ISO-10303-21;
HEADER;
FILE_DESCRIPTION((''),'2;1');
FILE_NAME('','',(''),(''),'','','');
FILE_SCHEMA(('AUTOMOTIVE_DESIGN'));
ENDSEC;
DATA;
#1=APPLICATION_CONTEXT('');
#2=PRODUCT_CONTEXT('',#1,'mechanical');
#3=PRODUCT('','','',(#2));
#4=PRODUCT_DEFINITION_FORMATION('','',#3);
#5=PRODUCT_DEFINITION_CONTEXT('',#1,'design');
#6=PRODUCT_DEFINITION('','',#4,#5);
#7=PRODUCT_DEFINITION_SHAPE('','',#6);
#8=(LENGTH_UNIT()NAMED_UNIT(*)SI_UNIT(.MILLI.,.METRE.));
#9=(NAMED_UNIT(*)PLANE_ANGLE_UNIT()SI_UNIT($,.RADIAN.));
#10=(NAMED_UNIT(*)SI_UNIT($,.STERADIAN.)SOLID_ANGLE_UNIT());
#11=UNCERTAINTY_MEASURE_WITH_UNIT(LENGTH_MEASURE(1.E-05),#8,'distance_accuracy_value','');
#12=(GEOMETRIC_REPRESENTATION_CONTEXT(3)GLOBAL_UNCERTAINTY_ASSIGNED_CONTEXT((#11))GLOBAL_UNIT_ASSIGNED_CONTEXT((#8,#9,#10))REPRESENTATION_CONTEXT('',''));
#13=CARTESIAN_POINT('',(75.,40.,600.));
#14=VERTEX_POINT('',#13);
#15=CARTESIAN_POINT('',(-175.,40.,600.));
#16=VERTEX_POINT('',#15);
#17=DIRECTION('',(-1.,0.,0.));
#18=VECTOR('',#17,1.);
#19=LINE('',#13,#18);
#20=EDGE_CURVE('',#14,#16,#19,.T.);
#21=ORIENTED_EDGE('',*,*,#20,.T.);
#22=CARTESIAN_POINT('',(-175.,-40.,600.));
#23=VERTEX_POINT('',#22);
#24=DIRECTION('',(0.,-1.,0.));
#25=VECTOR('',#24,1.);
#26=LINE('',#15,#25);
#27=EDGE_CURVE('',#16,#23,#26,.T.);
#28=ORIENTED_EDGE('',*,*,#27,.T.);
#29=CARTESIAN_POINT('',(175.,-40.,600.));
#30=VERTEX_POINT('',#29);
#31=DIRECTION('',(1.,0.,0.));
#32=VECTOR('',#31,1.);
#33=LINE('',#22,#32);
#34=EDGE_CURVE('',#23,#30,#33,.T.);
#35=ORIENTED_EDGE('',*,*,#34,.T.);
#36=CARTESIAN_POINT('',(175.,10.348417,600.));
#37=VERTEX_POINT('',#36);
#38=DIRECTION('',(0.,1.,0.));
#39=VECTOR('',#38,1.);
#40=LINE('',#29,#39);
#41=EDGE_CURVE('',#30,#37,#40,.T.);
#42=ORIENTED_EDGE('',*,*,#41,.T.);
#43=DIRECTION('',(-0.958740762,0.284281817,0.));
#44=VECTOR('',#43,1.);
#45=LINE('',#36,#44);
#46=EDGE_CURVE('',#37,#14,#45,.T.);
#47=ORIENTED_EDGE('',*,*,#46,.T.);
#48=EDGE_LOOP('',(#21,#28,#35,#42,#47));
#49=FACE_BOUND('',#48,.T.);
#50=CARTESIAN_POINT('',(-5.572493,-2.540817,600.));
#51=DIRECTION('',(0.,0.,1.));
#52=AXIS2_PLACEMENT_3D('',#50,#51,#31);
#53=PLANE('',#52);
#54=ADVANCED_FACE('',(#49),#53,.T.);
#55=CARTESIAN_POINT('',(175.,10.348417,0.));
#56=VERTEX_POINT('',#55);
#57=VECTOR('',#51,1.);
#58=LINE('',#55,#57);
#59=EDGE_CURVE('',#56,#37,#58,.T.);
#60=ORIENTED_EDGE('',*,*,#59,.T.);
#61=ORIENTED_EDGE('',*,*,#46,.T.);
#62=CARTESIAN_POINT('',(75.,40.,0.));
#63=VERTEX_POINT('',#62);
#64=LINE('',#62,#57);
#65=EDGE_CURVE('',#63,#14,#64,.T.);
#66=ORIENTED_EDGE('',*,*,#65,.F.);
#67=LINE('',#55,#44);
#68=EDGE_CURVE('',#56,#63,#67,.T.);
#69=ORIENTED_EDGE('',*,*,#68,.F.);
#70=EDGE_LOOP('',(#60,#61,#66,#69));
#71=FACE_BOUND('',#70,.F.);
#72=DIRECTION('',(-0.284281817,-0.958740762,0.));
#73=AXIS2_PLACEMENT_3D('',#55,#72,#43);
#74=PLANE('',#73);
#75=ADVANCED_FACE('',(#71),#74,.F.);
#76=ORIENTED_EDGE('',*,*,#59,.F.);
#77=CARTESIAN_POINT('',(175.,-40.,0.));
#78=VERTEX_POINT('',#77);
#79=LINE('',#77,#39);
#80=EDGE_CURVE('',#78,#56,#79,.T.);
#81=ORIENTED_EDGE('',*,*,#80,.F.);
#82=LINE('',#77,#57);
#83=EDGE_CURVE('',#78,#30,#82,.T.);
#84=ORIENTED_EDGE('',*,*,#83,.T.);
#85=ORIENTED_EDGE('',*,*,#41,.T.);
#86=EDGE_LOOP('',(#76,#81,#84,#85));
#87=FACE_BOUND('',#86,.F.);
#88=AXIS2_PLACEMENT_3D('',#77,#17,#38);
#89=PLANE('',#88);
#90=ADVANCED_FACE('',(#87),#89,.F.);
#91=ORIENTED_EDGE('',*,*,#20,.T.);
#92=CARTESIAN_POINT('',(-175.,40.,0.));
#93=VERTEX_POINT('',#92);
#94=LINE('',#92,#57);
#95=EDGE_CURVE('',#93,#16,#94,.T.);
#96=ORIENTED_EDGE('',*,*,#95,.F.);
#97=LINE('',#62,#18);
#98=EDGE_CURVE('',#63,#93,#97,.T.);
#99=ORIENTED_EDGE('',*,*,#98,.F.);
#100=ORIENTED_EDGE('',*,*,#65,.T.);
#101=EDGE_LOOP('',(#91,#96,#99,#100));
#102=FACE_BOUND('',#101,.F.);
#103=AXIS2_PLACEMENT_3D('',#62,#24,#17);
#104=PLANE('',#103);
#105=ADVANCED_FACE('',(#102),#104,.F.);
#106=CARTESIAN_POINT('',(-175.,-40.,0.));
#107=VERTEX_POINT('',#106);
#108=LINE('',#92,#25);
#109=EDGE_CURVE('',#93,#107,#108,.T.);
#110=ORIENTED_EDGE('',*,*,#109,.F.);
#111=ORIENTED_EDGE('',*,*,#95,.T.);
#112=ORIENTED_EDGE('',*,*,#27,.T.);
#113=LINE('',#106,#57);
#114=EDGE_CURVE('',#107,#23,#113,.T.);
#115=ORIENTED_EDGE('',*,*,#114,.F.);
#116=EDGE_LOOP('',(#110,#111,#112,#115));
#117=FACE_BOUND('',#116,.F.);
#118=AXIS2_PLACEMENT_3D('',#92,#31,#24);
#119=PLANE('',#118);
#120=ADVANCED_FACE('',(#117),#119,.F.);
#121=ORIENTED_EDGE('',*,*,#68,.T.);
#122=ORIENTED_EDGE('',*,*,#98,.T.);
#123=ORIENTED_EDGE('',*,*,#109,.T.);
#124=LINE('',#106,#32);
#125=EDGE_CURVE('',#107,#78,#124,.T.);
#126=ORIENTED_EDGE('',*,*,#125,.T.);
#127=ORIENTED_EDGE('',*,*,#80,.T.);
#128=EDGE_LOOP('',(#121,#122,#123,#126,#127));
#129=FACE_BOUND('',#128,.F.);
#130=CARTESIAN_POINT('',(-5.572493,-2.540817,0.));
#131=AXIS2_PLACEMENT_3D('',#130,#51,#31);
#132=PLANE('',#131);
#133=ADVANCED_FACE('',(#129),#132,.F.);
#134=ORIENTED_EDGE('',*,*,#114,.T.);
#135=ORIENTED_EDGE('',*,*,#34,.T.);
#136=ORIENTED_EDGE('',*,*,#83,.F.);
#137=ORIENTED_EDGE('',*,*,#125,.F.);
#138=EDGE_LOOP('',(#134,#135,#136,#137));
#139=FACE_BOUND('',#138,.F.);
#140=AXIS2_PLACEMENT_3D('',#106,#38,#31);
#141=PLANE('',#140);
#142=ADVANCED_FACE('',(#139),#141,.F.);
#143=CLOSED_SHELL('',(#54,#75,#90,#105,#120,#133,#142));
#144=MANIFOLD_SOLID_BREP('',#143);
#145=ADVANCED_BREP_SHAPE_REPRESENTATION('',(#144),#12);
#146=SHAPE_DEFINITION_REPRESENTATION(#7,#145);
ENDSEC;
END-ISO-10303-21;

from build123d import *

# Parameters (mm, degrees)
SALIENTE_EXTRUIR1_DEPTH = 600


with BuildPart() as part:
    # Croquis1 → Saliente-Extruir1 (new body)
    with BuildSketch(Plane.XY):
        Polygon((-175, -40), (175, -40), (175, 10.348416548), (75, 40), (-175, 40), align=None)
    extrude(amount=SALIENTE_EXTRUIR1_DEPTH)


solid = part.part
